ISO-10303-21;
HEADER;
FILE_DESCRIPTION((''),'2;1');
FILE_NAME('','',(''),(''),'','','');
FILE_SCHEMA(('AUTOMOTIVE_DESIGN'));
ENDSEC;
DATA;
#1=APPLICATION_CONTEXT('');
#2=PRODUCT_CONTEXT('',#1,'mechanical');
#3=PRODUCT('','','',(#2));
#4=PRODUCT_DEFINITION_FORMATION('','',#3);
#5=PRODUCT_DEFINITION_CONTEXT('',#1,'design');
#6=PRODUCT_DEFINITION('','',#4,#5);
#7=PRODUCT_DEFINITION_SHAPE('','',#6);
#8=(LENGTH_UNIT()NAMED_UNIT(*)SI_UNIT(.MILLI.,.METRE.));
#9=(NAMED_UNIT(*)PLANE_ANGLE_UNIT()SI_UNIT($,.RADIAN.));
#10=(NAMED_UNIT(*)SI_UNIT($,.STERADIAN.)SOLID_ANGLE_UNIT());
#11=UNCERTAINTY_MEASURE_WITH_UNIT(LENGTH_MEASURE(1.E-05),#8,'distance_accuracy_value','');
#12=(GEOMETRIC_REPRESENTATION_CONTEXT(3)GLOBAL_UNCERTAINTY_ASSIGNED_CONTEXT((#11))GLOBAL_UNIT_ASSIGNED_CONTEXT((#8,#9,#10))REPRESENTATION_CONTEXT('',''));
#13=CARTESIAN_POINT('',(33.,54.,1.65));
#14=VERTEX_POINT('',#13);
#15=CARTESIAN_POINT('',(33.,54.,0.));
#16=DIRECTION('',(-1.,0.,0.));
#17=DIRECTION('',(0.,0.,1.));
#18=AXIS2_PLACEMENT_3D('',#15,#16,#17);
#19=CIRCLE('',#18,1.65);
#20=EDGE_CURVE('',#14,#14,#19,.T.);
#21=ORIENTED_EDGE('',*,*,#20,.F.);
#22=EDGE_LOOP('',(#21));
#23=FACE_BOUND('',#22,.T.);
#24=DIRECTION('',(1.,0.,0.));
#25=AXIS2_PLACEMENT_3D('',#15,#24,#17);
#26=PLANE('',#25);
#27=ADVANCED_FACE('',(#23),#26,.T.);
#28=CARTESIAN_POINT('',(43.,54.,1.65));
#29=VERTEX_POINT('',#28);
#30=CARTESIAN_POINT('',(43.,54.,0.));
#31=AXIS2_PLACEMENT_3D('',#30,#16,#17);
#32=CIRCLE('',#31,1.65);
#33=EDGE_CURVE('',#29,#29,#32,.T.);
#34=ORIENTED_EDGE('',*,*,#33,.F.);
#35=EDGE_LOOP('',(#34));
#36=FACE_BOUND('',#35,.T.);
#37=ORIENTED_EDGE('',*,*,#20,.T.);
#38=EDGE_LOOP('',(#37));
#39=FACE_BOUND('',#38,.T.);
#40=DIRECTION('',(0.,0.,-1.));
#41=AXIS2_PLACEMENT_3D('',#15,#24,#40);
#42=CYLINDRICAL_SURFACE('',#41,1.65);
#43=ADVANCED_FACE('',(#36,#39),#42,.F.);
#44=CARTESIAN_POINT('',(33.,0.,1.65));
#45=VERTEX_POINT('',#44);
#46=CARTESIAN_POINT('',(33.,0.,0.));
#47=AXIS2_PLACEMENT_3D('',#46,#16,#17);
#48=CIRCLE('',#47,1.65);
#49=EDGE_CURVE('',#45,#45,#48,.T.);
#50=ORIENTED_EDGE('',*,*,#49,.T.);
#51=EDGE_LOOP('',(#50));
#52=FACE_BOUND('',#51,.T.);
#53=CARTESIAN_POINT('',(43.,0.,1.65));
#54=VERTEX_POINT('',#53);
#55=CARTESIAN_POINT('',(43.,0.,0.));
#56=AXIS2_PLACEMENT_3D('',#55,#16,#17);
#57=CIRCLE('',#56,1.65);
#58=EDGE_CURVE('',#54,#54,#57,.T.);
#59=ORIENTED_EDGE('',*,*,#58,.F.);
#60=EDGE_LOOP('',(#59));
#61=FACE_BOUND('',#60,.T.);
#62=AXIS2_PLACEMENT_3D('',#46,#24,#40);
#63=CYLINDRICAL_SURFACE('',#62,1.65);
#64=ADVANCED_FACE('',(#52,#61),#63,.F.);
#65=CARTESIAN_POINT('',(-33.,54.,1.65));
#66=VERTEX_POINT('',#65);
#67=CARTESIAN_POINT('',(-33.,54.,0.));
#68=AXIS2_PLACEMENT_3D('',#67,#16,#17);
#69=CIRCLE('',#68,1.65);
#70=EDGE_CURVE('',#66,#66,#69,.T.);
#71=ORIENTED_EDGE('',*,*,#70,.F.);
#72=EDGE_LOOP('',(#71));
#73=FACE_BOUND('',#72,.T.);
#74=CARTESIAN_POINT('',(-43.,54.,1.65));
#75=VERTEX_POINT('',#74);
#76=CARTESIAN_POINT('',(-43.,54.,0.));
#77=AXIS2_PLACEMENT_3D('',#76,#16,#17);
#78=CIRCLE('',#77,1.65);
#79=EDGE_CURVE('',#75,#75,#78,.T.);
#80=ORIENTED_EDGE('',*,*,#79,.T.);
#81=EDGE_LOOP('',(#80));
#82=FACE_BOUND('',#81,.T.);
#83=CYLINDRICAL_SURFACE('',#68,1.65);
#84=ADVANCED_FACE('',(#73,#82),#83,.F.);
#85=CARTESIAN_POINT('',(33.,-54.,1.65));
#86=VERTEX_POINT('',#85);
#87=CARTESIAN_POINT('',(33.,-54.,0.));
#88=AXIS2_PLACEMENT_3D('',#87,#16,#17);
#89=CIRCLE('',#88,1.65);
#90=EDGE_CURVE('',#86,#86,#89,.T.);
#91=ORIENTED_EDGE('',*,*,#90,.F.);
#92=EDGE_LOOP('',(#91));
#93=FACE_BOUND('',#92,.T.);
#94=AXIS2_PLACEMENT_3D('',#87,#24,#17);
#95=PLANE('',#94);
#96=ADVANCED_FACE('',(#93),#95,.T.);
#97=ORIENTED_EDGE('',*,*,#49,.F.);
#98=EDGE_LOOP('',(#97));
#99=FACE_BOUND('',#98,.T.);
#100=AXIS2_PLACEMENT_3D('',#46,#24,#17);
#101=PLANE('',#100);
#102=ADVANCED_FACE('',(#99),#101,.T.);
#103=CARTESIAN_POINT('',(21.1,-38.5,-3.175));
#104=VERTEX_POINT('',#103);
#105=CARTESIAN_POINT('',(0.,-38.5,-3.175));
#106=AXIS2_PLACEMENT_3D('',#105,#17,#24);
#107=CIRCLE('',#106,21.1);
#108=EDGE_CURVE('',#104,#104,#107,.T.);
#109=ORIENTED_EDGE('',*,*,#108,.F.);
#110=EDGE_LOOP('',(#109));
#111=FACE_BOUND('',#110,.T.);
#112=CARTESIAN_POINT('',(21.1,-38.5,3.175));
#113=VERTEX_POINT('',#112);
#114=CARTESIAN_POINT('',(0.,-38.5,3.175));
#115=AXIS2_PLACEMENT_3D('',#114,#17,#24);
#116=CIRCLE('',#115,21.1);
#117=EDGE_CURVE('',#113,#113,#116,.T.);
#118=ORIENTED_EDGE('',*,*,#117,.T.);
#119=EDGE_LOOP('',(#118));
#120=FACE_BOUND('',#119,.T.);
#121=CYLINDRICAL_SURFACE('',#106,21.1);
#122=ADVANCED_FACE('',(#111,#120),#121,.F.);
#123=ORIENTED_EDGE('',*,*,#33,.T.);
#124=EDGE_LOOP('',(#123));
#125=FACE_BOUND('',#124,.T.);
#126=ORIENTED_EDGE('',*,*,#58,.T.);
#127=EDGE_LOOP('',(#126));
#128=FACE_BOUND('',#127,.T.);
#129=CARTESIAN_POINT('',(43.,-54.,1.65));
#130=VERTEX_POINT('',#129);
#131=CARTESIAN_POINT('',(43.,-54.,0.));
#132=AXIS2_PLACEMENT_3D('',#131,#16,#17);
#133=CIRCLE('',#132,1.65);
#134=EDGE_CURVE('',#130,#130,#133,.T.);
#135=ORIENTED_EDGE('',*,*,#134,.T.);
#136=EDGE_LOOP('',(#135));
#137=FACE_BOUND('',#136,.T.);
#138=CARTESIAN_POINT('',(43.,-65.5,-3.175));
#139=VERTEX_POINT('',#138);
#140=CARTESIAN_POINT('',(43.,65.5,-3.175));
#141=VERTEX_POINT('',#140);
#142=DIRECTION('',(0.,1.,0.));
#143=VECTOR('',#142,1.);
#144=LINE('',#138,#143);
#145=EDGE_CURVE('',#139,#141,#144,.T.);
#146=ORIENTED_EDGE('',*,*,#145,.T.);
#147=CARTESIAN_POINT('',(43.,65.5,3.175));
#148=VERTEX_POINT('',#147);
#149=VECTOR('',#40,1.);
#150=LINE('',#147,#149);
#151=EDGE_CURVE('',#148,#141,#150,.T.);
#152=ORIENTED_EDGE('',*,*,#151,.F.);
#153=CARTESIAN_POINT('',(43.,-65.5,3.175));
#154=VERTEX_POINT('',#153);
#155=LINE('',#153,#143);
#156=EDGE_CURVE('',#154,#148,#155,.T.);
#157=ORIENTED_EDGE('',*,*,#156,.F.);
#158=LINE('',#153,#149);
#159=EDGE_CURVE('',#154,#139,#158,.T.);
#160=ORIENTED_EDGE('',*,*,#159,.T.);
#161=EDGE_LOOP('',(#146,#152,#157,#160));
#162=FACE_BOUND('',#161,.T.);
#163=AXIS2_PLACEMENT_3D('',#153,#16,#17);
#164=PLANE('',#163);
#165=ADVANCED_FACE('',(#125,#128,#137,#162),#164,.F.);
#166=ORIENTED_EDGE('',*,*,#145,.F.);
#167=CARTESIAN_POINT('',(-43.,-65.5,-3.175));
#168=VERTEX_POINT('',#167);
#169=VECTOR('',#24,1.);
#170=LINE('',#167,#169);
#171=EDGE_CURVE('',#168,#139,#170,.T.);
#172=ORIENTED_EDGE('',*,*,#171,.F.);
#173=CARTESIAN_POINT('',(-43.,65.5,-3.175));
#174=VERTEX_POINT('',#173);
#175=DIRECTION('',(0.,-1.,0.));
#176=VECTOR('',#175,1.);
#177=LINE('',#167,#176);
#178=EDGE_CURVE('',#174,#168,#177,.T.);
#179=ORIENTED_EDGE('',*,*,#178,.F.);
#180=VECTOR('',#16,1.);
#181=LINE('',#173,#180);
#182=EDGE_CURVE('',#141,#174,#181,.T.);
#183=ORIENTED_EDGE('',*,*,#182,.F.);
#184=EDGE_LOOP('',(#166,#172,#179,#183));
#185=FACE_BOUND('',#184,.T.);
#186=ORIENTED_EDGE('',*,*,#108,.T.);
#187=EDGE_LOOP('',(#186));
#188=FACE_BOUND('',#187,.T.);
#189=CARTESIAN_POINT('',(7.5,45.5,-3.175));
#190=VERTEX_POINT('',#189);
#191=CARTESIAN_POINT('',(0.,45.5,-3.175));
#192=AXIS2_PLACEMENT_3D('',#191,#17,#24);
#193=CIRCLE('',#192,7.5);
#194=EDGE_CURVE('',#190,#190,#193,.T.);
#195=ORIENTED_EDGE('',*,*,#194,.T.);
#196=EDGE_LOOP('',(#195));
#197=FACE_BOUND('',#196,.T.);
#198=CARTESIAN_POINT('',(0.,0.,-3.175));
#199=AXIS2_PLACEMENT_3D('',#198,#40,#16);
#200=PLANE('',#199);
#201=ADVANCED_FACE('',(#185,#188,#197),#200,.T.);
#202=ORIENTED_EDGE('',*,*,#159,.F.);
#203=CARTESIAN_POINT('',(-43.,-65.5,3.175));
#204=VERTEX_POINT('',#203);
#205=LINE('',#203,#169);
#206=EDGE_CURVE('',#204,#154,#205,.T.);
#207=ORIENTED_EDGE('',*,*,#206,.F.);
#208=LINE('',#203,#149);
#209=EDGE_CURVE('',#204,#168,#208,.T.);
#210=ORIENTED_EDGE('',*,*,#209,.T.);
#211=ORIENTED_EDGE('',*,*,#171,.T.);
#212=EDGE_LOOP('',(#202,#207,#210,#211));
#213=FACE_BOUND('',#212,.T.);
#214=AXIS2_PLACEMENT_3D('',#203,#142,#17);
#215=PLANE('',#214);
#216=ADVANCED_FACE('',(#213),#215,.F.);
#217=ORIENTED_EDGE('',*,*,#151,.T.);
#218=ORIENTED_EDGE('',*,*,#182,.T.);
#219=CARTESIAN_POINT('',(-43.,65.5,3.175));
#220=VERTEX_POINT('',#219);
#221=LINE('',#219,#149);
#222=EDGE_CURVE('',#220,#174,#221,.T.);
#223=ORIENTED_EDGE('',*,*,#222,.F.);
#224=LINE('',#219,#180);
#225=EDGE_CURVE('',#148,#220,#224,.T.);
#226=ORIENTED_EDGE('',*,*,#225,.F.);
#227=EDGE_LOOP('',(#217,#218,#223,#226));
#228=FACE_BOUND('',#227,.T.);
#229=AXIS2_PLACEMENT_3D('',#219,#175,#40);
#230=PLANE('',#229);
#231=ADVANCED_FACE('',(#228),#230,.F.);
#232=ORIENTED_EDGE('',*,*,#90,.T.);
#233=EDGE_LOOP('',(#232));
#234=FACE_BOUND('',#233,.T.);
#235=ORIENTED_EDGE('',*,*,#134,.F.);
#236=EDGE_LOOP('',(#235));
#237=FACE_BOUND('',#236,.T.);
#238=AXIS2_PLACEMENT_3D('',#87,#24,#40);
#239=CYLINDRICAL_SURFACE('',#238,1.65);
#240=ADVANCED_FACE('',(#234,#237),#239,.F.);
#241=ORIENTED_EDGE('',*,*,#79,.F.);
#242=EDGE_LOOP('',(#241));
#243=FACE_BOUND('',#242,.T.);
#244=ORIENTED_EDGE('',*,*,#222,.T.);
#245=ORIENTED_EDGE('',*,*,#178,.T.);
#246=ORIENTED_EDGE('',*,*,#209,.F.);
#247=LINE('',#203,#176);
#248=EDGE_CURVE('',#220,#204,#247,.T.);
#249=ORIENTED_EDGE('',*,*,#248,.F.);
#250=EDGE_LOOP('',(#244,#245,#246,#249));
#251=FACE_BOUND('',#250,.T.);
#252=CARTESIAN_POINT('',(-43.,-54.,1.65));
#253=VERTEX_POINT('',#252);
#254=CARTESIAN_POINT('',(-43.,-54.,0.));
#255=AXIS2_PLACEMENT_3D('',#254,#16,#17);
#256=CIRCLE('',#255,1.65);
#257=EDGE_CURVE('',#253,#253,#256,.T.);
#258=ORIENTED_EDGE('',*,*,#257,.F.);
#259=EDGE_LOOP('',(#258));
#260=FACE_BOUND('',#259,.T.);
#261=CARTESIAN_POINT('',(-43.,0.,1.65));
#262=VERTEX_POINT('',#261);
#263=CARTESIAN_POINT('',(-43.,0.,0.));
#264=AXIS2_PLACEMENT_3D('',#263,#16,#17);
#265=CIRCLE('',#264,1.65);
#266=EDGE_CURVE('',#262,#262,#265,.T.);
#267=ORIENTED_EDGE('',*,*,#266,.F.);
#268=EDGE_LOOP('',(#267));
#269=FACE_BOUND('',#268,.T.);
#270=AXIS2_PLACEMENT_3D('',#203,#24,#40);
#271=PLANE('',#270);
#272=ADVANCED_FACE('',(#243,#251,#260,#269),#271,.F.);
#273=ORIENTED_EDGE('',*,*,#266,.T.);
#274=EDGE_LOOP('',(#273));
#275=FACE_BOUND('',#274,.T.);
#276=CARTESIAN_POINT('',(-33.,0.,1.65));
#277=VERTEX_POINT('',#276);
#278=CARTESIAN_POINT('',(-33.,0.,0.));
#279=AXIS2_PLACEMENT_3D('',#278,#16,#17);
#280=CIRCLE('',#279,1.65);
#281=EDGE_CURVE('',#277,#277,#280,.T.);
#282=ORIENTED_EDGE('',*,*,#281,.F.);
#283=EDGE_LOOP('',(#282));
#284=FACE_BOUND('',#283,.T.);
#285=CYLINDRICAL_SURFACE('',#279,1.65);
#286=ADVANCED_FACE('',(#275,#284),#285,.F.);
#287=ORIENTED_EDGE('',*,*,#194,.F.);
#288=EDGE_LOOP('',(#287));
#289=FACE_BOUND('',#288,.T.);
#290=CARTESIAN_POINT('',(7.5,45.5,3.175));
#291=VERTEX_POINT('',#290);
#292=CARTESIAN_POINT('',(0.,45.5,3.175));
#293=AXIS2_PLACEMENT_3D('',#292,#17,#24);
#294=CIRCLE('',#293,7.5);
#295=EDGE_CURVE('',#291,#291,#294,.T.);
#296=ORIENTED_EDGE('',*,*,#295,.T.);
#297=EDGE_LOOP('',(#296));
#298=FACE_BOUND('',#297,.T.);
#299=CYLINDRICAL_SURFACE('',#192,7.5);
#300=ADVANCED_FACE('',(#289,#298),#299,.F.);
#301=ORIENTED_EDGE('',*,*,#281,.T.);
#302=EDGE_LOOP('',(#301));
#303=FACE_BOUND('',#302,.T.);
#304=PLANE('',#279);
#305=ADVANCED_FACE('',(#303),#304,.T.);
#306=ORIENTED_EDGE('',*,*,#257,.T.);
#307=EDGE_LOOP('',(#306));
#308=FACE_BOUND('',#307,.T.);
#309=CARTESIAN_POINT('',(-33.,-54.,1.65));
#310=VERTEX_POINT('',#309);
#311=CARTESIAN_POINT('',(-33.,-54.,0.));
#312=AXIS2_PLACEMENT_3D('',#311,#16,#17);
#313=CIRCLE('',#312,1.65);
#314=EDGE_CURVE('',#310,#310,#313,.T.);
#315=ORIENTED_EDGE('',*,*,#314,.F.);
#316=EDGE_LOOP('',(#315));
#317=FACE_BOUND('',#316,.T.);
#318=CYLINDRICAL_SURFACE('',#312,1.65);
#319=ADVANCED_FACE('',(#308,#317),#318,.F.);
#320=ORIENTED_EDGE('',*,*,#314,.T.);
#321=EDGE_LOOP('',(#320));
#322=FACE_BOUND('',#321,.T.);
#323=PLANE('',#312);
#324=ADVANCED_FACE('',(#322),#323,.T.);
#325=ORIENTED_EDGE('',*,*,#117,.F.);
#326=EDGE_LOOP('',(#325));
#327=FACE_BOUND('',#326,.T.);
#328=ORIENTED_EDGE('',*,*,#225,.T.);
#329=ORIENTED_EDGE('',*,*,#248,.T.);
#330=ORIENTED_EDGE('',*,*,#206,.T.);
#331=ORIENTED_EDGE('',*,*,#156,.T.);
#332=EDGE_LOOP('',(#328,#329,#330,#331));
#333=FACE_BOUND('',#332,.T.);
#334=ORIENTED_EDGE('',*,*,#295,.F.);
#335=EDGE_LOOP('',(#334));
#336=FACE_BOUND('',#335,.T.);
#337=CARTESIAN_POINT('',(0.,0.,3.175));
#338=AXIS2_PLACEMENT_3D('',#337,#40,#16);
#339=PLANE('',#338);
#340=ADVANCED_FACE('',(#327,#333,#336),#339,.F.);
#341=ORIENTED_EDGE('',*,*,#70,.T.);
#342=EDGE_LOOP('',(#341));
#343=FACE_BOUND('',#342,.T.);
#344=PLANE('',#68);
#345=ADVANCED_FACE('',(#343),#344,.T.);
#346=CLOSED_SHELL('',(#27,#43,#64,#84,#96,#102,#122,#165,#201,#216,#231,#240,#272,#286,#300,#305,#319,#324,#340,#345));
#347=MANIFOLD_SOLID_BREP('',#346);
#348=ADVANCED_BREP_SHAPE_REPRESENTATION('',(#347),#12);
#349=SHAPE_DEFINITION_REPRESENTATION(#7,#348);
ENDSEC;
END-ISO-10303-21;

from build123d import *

# Parameters (mm, degrees)
SKETCH1_W           = 86
SKETCH1_H           = 131
BOSS_EXTRUDE1_DEPTH = 3.175
SKETCH2_R           = 1.65
CUT_EXTRUDE1_DEPTH  = 10
SKETCH3_R           = 7.5
CUT_EXTRUDE2_DEPTH  = 79.610256964
SKETCH4_R           = 21.1
CUT_EXTRUDE3_DEPTH  = 79.610256964


with BuildPart() as part:
    # Sketch1 → Boss-Extrude1 (new, symmetric)
    with BuildSketch(Plane.XY):
        Rectangle(SKETCH1_W, SKETCH1_H)
    extrude(amount=BOSS_EXTRUDE1_DEPTH, both=True)

    # Sketch2 → Cut-Extrude1 (cut)
    with BuildSketch(Plane.ZY.offset(43)):
        with Locations((0, 54)):
            Circle(SKETCH2_R)
        with Locations((0, -54)):
            Circle(SKETCH2_R)
        Circle(SKETCH2_R)
    cut_extrude1 = extrude(amount=-CUT_EXTRUDE1_DEPTH, mode=Mode.SUBTRACT)

    # Mirror1: Cut-Extrude1 across plane
    add(cut_extrude1.mirror(Plane(origin=(0, 0, 0), x_dir=(0, 0, 1), z_dir=(1, 0, 0))), mode=Mode.SUBTRACT)

    # Sketch3 → Cut-Extrude2 (cut, through all)
    with BuildSketch(Plane.XY.offset(3.175)):
        with Locations((0, 45.5)):
            Circle(SKETCH3_R)
    extrude(amount=-CUT_EXTRUDE2_DEPTH, mode=Mode.SUBTRACT)

    # Sketch4 → Cut-Extrude3 (cut, through all)
    with BuildSketch(Plane.XY.offset(3.175)):
        with Locations((0, -38.5)):
            Circle(SKETCH4_R)
    extrude(amount=-CUT_EXTRUDE3_DEPTH, mode=Mode.SUBTRACT)


solid = part.part
